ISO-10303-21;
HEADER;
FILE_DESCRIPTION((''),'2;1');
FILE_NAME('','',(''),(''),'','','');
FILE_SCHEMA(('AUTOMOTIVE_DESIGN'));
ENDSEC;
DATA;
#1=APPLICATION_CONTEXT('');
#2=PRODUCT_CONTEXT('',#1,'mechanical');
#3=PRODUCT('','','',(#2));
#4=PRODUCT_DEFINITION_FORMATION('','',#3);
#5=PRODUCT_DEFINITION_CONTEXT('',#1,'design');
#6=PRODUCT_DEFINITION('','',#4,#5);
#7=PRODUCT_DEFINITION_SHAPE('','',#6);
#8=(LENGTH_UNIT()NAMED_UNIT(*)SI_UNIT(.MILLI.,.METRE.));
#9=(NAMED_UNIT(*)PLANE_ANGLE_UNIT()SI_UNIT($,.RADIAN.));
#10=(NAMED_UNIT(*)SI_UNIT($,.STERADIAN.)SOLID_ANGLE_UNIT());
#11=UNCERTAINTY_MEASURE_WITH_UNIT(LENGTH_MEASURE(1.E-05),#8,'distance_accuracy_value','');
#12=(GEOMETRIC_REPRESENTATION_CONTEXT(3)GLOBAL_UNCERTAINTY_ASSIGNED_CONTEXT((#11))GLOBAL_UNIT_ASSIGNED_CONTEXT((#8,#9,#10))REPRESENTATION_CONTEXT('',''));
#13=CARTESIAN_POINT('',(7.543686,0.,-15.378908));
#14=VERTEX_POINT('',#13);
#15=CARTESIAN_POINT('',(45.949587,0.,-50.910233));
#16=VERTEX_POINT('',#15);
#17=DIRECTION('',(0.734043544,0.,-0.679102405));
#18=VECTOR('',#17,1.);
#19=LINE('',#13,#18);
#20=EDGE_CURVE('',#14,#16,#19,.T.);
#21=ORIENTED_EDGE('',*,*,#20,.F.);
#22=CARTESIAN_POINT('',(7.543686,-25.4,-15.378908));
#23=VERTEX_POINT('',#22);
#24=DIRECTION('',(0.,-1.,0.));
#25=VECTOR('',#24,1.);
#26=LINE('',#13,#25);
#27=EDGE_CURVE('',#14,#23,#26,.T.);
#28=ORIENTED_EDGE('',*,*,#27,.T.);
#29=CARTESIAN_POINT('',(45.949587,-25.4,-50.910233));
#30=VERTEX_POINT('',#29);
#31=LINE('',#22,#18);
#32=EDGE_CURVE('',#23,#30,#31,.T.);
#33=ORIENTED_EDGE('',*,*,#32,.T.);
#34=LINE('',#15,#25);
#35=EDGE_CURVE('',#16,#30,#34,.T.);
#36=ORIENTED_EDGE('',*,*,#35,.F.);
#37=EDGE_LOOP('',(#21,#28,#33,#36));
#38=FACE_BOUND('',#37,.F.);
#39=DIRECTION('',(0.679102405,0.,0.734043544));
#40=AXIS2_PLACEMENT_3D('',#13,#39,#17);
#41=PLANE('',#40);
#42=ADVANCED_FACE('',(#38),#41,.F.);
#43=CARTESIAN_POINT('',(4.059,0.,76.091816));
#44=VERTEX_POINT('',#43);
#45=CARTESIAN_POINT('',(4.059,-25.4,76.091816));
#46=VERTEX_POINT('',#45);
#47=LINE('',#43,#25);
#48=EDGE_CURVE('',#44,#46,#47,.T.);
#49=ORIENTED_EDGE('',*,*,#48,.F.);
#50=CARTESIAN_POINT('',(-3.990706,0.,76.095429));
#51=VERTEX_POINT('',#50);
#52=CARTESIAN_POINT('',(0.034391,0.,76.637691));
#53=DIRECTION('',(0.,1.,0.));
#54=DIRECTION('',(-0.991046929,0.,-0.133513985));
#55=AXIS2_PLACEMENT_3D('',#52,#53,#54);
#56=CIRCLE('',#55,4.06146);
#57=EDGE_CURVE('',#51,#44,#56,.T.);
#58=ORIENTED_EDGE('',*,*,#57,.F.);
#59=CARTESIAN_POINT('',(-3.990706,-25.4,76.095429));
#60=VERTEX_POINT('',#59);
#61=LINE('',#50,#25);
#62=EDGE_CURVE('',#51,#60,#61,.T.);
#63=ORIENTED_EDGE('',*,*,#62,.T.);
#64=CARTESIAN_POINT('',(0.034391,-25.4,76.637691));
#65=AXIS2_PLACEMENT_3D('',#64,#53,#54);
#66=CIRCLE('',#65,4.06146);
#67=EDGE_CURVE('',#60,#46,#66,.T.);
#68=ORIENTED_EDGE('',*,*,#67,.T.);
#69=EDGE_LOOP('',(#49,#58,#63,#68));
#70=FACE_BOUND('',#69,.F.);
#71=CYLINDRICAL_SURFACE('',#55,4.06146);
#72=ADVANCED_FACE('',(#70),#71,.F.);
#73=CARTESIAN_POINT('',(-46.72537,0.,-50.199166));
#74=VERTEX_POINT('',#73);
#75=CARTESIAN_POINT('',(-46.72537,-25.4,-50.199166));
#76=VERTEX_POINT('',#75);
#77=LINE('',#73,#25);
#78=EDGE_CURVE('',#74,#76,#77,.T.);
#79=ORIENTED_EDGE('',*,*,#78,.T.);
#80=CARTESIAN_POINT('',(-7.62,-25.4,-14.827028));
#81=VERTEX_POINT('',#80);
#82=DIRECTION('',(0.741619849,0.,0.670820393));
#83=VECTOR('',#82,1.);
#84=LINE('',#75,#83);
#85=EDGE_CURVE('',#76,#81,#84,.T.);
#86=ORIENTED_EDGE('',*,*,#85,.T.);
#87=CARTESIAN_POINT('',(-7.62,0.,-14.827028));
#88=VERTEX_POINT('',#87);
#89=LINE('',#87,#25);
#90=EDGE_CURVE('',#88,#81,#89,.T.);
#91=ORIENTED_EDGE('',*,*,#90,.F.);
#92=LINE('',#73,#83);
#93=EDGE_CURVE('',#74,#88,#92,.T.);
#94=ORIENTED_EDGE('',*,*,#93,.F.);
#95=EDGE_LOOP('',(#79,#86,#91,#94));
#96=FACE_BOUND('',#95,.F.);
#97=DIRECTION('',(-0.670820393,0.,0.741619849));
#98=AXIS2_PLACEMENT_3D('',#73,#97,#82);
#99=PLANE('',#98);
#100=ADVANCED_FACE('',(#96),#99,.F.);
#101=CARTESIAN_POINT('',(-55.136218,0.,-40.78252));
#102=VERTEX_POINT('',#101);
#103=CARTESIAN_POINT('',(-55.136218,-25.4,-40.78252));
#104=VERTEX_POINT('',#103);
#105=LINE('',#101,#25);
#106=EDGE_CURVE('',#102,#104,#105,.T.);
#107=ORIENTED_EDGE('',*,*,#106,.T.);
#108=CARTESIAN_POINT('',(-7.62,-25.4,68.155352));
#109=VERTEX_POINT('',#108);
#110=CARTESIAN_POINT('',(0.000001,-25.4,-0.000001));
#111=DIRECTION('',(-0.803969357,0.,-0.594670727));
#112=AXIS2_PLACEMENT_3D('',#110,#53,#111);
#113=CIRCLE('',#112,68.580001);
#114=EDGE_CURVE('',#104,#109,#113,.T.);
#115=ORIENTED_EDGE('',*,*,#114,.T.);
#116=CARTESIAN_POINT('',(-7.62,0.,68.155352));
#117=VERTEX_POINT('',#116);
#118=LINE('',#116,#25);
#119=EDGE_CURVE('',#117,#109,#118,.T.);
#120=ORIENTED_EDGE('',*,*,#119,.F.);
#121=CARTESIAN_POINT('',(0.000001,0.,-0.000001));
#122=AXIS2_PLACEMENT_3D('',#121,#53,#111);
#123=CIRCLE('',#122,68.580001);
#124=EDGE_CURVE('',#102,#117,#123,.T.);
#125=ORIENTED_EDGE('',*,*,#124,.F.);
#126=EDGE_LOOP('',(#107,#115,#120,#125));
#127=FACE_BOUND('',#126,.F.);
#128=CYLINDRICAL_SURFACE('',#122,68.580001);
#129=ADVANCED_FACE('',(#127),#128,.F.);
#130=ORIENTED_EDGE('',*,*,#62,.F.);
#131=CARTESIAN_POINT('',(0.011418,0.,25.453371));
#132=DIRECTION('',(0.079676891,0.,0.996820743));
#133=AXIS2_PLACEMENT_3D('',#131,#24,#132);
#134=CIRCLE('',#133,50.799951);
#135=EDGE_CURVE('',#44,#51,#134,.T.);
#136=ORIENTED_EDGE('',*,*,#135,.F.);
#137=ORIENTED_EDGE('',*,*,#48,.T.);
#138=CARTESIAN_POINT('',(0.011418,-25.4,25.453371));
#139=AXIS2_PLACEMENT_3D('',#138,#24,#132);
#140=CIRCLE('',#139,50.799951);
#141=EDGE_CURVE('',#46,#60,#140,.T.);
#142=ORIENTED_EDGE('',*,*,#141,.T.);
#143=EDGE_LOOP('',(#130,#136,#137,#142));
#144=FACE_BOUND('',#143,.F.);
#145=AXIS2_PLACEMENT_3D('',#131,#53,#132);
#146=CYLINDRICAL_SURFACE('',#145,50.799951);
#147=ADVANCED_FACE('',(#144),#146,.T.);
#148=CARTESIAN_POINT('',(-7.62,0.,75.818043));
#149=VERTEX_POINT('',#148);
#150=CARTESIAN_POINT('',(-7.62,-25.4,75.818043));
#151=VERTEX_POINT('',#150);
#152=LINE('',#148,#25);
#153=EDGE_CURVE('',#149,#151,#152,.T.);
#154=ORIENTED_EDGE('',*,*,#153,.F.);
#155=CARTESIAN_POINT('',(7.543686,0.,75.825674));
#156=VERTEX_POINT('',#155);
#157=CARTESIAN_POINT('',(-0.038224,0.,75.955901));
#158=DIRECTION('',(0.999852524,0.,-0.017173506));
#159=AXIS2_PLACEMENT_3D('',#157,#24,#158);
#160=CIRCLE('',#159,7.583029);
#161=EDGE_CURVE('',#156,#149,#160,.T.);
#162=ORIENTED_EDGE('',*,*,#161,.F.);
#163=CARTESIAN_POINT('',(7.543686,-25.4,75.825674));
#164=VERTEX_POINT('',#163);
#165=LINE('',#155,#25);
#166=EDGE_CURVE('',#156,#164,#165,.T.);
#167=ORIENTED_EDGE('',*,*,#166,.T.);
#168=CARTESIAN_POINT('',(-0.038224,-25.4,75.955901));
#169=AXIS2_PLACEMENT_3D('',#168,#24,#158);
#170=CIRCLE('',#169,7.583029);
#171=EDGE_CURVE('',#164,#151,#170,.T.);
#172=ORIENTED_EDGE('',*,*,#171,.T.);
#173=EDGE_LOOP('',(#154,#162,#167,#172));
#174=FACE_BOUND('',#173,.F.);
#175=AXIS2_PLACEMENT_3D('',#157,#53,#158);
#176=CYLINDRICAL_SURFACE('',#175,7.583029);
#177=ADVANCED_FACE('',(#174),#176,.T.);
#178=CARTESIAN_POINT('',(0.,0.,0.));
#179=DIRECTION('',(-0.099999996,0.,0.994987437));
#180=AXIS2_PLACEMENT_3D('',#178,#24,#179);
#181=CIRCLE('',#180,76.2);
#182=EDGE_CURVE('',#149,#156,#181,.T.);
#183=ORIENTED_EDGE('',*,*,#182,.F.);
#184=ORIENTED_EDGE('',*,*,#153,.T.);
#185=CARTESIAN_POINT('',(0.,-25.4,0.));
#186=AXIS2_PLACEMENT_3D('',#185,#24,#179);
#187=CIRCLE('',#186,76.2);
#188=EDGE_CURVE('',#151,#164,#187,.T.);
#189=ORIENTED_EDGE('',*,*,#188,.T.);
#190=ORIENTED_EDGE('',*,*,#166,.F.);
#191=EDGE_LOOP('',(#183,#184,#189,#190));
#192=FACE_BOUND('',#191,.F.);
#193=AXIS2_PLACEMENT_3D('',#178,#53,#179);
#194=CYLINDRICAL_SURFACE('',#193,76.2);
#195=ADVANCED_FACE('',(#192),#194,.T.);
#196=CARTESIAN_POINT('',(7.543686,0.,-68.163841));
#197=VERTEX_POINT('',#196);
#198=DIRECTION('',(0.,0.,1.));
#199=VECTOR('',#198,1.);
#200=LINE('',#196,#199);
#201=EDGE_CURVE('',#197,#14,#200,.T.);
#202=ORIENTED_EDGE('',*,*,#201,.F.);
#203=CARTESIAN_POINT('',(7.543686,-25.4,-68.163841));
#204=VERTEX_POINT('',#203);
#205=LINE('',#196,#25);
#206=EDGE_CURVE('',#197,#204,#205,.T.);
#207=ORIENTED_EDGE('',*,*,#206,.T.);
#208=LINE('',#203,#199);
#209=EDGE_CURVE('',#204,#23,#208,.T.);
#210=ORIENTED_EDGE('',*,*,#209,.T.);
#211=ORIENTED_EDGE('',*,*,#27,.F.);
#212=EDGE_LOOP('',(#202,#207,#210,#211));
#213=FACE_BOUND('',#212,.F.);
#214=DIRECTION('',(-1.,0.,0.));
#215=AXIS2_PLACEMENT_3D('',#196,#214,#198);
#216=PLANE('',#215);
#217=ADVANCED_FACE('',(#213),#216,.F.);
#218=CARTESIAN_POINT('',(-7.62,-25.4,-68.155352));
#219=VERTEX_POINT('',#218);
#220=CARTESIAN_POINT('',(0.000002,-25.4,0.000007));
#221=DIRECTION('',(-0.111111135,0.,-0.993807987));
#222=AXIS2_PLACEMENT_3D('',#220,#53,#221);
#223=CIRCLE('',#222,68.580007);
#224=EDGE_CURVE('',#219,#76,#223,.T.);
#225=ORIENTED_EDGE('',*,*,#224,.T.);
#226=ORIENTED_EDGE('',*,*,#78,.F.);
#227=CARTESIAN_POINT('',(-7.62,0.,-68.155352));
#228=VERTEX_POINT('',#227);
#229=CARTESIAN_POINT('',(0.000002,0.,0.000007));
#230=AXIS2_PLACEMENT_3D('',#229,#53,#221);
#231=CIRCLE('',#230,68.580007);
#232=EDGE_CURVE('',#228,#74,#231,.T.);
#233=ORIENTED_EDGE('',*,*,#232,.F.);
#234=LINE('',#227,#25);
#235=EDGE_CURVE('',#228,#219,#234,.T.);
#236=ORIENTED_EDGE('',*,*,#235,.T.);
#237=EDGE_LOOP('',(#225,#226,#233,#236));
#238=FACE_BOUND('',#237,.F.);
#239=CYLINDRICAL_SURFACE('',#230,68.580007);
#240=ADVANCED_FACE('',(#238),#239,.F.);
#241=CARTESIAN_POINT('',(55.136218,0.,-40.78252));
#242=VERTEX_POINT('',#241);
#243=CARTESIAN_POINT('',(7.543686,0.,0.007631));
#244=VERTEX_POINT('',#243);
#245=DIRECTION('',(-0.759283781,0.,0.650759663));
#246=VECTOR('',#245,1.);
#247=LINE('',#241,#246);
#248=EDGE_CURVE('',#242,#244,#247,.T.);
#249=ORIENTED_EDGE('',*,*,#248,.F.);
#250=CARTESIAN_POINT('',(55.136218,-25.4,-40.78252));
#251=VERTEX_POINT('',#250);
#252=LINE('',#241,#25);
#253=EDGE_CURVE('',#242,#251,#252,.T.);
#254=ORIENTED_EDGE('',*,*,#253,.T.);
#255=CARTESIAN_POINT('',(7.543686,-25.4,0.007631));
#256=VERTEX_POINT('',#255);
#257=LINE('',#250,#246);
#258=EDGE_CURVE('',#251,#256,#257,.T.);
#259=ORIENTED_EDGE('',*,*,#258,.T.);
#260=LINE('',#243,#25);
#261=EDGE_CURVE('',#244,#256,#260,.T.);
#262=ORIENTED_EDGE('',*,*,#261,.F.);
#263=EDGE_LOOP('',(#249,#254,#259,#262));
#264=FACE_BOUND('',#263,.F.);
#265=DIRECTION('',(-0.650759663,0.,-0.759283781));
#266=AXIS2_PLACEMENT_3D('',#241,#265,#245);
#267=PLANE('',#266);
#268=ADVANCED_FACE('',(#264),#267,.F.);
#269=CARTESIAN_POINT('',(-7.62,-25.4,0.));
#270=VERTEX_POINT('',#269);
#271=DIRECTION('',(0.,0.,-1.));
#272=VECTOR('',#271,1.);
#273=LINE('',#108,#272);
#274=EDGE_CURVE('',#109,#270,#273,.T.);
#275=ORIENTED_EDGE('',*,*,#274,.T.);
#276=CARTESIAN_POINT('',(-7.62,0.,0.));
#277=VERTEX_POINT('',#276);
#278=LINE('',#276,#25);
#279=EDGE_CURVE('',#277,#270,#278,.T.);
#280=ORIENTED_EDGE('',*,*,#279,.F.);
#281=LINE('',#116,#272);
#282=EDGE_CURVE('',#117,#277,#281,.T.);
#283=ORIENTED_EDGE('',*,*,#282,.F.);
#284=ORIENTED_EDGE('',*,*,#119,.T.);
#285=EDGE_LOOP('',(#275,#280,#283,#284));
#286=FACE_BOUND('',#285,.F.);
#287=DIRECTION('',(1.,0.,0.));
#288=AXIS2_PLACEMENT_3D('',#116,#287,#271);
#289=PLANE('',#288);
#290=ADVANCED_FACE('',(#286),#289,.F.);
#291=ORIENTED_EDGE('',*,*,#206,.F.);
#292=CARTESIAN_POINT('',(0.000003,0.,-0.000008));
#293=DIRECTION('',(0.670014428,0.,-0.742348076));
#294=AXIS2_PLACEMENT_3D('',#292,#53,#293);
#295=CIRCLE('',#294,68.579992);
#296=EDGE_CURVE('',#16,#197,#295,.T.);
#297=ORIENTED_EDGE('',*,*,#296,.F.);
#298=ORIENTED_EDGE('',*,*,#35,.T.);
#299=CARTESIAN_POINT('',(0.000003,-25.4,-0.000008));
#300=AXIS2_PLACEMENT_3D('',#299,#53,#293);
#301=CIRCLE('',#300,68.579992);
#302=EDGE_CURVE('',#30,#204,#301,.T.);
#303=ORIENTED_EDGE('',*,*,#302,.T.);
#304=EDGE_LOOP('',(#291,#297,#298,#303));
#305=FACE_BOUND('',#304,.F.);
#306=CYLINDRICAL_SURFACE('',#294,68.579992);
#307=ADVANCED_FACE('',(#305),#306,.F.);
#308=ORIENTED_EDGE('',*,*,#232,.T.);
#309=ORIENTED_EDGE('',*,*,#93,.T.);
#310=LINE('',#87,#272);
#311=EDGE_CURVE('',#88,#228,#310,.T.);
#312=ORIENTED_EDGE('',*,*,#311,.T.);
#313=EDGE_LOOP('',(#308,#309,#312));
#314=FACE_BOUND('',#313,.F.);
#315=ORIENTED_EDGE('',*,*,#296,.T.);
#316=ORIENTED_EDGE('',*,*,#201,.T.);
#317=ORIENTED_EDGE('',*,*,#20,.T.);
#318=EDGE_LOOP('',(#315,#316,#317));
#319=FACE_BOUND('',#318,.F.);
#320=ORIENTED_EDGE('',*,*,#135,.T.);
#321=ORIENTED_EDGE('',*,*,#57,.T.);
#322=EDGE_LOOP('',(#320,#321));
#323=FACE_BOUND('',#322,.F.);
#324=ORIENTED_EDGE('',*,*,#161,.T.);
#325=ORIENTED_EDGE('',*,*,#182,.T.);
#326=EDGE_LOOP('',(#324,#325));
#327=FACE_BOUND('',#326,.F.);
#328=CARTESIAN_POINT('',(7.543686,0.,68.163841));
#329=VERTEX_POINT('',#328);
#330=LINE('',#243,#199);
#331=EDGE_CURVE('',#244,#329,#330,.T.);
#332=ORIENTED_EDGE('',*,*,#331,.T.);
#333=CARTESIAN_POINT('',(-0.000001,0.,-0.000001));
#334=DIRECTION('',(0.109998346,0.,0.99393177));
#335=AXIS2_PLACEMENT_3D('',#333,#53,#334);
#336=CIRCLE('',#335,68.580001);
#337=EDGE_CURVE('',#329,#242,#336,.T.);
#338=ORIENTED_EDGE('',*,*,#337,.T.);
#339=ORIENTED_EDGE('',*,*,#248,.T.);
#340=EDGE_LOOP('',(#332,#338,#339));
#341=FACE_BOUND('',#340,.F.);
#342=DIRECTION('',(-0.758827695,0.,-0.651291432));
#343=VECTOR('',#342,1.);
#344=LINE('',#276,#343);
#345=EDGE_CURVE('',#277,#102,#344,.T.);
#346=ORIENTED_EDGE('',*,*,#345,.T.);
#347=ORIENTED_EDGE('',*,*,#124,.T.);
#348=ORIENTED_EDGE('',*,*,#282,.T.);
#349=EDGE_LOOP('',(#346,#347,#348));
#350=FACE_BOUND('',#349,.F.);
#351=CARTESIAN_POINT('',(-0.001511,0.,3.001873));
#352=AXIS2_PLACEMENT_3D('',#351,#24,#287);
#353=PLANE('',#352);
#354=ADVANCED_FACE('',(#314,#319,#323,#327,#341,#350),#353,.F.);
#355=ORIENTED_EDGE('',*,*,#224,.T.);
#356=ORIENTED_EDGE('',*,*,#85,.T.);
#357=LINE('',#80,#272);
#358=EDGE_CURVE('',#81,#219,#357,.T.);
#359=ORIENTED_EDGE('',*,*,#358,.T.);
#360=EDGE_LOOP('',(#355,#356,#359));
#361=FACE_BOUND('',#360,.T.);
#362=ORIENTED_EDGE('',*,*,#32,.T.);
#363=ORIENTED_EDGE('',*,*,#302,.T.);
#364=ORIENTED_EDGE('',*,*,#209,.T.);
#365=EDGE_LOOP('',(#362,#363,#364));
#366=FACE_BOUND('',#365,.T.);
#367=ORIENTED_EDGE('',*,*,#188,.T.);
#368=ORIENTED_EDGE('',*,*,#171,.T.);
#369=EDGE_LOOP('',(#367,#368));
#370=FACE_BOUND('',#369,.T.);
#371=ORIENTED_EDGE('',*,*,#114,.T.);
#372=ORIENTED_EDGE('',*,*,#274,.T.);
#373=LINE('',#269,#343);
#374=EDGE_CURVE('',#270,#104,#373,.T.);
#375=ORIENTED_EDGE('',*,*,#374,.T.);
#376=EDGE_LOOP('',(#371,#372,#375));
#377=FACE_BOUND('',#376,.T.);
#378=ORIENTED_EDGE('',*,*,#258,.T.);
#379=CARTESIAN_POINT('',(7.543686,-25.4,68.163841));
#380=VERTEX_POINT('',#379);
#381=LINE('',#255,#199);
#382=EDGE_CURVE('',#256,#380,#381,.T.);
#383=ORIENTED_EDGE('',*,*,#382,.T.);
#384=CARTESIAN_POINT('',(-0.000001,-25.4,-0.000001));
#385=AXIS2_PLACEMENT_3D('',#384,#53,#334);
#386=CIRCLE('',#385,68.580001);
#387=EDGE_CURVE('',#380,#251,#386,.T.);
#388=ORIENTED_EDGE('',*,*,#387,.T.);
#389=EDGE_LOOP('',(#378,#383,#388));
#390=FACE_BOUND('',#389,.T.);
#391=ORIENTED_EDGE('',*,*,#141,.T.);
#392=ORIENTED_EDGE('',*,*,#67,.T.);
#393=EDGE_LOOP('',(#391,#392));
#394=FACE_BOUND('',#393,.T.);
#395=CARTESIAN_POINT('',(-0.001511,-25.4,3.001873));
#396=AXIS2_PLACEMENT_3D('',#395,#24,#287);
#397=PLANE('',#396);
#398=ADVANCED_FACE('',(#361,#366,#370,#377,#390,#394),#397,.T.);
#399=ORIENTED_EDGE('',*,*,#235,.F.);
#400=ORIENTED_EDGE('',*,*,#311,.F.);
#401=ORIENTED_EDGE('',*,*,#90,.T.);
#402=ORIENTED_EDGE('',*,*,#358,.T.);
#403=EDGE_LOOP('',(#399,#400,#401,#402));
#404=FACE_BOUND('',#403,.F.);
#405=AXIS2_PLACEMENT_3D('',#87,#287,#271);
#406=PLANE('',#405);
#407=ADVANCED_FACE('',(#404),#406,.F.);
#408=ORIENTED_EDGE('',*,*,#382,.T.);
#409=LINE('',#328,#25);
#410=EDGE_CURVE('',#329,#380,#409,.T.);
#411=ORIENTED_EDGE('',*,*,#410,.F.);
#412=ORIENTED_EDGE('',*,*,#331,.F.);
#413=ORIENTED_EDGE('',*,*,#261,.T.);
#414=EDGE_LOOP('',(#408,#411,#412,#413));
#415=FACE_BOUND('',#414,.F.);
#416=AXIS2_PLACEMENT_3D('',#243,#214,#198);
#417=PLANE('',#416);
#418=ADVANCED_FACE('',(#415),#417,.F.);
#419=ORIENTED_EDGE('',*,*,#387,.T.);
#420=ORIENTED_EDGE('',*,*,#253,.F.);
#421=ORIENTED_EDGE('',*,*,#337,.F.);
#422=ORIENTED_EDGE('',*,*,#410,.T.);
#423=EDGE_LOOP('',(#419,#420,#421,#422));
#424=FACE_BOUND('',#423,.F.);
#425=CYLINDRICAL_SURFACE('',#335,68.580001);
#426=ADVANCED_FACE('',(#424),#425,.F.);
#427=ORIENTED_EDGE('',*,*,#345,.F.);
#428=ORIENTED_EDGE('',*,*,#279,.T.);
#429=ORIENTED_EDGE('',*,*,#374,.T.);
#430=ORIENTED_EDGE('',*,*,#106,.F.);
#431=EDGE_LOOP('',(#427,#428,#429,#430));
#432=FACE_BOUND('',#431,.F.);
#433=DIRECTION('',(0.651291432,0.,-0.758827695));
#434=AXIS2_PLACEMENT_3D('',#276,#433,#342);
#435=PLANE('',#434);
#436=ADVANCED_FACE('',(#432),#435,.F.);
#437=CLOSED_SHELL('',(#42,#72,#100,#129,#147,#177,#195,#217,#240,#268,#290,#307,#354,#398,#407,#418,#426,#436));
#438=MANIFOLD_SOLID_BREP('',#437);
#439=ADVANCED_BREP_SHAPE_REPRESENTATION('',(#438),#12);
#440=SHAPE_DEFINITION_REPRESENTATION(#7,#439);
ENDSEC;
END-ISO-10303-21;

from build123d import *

# Parameters (mm, degrees)
F1_DEPTH = 25.4


with BuildPart() as f1:
    # F0 (on Front) → F1 (new body)
    with BuildSketch(Plane.XZ):
        with BuildLine():
            ThreePointArc((7.543686, 75.825674), (-0.042041, 83.538929), (-7.62, 75.818043))
            ThreePointArc((-7.62, 75.818043), (0.038347, -76.19999), (7.543686, 75.825674))
        make_face()
        with BuildLine():
            Line((-46.72537, -50.199166), (-7.62, -14.827028))
            Line((-7.62, -14.827028), (-7.62, -68.155352))
            ThreePointArc((-7.62, -68.155352), (-28.617494, -62.323795), (-46.72537, -50.199166))
        make_face(mode=Mode.SUBTRACT)
        with BuildLine():
            Line((7.543686, -68.163841), (7.543686, -15.378908))
            Line((7.543686, -15.378908), (45.949587, -50.910233))
            ThreePointArc((45.949587, -50.910233), (28.103457, -62.557271), (7.543686, -68.163841))
        make_face(mode=Mode.SUBTRACT)
        with BuildLine():
            ThreePointArc((-55.136218, -40.78252), (-62.860565, 27.418346), (-7.62, 68.155352))
            Line((-7.62, 68.155352), (-7.62, 0))
            Line((-7.62, 0), (-55.136218, -40.78252))
        make_face(mode=Mode.SUBTRACT)
        with BuildLine():
            Line((7.543686, 0.007631), (7.543686, 68.163841))
            ThreePointArc((7.543686, 68.163841), (62.845206, 27.453533), (55.136218, -40.78252))
            Line((55.136218, -40.78252), (7.543686, 0.007631))
        make_face(mode=Mode.SUBTRACT)
        with BuildLine():
            ThreePointArc((-3.990706, 76.095429), (0.036214, 80.69915), (4.059, 76.091816))
            ThreePointArc((4.059, 76.091816), (0.034219, 76.253317), (-3.990706, 76.095429))
        make_face(mode=Mode.SUBTRACT)
    extrude(amount=F1_DEPTH)


solid = f1.part
